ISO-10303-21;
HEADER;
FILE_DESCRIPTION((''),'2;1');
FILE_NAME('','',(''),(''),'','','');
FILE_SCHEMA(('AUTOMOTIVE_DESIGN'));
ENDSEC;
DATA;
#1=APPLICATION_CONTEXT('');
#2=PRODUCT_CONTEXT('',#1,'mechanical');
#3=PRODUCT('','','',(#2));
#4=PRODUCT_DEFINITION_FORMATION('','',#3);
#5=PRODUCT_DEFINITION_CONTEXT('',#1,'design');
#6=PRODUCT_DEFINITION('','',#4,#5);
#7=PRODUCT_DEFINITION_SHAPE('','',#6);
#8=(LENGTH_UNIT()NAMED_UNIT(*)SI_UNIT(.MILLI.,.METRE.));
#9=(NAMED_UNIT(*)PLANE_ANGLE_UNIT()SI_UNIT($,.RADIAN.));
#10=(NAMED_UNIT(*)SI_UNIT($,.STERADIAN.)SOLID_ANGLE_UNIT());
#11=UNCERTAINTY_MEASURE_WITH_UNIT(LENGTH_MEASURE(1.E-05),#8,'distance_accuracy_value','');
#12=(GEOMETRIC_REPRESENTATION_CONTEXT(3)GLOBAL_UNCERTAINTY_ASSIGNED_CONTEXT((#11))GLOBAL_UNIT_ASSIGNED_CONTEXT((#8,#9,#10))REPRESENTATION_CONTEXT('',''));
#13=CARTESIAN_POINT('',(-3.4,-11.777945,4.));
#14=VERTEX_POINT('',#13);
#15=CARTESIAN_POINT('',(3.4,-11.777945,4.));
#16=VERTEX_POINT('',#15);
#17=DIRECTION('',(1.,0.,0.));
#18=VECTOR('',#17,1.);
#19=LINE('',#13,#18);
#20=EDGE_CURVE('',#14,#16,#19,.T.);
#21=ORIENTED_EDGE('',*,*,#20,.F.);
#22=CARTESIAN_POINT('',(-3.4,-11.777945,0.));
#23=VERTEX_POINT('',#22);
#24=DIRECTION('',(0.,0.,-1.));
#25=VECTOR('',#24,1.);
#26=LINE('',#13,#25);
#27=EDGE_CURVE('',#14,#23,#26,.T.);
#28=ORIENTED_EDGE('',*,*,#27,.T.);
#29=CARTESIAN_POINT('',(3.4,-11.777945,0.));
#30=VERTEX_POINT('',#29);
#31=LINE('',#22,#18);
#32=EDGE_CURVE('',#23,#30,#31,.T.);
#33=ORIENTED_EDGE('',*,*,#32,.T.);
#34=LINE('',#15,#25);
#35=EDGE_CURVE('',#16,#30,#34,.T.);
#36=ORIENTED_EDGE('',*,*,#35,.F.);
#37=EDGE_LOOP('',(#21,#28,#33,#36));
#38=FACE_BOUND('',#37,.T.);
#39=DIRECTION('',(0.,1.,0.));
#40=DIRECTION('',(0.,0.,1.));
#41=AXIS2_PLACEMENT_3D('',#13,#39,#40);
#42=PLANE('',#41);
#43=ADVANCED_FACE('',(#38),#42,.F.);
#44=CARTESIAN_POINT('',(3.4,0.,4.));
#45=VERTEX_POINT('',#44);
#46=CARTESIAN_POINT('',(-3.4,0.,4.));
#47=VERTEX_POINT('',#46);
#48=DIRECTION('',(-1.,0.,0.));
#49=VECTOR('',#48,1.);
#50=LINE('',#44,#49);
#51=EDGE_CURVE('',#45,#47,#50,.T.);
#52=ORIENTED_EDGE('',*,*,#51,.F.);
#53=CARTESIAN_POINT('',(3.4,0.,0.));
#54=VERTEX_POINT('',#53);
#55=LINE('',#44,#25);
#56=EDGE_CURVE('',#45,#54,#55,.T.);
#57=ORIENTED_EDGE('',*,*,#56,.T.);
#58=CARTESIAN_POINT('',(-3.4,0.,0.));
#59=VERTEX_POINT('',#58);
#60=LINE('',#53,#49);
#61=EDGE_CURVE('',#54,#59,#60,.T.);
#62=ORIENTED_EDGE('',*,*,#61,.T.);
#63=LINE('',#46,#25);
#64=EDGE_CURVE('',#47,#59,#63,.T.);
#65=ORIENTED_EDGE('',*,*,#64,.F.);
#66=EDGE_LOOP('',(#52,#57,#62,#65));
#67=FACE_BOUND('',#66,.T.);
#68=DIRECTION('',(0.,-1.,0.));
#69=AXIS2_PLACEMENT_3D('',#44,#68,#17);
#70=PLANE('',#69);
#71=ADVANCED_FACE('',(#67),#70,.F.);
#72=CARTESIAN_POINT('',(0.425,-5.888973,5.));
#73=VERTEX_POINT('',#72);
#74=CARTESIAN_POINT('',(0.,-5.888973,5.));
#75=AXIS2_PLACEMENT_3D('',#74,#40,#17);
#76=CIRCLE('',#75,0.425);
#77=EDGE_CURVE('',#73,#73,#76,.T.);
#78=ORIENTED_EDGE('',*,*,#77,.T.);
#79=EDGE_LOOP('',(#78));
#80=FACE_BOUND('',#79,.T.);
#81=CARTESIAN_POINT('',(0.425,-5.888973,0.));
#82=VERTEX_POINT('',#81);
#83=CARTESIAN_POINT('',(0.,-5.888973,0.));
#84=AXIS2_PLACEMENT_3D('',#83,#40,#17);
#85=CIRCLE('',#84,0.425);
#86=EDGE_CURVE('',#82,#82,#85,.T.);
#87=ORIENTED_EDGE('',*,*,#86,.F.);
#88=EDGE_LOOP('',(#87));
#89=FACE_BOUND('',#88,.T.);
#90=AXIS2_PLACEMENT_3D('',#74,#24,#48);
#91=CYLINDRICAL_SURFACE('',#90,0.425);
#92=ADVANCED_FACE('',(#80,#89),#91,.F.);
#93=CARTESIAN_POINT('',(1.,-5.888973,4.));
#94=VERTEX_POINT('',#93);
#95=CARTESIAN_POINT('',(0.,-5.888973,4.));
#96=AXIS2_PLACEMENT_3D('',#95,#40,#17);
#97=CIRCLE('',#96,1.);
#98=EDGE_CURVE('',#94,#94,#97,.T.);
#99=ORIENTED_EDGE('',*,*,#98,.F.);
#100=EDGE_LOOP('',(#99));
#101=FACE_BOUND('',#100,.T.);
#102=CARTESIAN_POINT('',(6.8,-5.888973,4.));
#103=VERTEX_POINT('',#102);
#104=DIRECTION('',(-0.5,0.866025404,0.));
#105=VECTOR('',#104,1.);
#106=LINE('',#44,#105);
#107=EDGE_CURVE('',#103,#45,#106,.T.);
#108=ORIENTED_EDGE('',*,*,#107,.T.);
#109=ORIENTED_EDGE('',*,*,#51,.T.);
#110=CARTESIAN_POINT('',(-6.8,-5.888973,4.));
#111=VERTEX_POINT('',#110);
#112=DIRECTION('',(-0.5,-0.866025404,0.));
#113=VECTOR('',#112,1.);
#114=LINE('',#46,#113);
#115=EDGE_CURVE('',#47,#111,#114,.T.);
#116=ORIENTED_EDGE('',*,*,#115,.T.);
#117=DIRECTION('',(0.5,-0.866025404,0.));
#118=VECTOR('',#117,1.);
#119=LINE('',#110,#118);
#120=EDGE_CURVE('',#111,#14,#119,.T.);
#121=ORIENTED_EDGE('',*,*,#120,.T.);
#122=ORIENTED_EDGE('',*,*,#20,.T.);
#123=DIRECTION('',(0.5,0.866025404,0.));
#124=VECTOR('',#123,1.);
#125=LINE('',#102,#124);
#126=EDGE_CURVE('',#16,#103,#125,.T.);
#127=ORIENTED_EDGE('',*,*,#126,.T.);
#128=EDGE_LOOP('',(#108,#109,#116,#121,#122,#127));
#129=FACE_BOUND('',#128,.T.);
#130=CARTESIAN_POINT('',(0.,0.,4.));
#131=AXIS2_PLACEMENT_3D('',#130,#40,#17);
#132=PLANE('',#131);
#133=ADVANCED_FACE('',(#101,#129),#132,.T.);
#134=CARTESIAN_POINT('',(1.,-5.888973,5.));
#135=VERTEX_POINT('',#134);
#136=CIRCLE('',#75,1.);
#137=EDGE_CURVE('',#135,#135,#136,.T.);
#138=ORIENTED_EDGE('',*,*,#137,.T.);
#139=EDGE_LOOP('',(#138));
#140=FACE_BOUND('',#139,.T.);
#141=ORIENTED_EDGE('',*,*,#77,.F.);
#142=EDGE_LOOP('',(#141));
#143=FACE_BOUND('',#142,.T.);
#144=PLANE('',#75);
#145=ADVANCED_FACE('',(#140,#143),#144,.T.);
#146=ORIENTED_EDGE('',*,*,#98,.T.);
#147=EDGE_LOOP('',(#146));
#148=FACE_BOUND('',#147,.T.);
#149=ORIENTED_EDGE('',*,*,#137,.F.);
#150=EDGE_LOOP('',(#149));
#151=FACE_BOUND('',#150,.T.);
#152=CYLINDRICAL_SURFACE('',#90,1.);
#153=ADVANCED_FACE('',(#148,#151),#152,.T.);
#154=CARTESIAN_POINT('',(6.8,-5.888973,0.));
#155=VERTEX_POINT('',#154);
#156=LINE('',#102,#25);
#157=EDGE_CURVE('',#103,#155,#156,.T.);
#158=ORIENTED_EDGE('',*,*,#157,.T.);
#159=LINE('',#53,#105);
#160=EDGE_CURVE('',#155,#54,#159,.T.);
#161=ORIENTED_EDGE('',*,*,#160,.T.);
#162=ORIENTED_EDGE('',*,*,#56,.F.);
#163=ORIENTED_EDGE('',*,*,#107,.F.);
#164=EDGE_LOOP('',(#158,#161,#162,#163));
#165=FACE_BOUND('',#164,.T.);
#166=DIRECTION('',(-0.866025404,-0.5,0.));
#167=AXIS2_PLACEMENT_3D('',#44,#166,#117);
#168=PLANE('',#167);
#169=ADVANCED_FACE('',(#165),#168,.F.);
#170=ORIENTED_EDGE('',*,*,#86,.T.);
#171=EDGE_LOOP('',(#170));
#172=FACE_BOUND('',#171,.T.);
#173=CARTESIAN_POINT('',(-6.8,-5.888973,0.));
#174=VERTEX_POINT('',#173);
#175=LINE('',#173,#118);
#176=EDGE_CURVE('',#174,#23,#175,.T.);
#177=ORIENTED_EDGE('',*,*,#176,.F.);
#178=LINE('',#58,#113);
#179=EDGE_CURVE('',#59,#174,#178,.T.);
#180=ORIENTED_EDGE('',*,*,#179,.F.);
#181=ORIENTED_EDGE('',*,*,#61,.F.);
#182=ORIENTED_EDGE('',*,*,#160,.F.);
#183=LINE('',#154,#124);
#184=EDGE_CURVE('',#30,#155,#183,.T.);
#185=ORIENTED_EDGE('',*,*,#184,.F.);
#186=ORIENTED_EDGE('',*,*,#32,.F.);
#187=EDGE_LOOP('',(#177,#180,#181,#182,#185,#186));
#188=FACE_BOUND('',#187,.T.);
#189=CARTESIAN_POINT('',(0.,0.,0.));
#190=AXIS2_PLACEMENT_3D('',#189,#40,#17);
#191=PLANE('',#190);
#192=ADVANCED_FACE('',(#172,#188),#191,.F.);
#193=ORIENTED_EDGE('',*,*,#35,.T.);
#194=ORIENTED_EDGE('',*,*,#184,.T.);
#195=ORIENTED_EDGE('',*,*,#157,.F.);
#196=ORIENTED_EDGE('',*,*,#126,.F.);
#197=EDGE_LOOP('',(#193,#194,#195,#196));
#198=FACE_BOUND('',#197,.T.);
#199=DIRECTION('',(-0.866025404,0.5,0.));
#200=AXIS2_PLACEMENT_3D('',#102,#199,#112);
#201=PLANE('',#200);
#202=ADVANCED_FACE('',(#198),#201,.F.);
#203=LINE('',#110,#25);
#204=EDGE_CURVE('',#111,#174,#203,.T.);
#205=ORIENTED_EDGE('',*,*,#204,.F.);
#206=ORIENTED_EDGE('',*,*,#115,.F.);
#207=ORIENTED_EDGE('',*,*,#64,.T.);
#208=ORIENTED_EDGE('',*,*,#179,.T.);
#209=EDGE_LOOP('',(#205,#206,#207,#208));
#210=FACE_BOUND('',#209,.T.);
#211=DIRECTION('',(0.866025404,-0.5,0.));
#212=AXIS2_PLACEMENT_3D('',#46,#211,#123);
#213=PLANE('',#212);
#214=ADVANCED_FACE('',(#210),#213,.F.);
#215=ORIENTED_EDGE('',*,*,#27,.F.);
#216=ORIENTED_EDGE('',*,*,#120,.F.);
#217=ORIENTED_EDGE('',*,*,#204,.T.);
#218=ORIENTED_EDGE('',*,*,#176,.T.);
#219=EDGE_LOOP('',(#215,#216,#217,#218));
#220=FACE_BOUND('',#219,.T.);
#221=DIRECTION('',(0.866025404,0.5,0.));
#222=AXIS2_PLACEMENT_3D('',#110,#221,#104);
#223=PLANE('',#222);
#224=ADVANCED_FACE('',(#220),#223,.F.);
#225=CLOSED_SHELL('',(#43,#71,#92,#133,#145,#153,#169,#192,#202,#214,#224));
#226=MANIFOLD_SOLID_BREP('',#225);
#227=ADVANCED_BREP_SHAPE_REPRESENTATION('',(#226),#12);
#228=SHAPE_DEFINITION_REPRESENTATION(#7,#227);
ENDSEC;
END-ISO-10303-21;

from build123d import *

# Parameters (mm, degrees)
BOSS_EXTRUDE1_DEPTH = 4
SKETCH2_R           = 1
SKETCH2_R_2         = 0.425
BOSS_EXTRUDE2_DEPTH = 1
SKETCH6_R           = 0.425
CUT_EXTRUDE1_DEPTH  = 63


with BuildPart() as part:
    # Sketch1 → Boss-Extrude1 (new body)
    with BuildSketch(Plane.XY):
        Polygon((3.4, 0), (-3.4, 0), (-6.8, -5.888972746), (-3.4, -11.777945491), (3.4, -11.777945491), (6.8, -5.888972746), align=None)
    extrude(amount=BOSS_EXTRUDE1_DEPTH)

    # Sketch2 → Boss-Extrude2 (add)
    with BuildSketch(Plane.XY.offset(4)):
        with Locations((0, -5.888972746)):
            Circle(SKETCH2_R)
        with Locations((0, -5.888972746)):
            Circle(SKETCH2_R_2, mode=Mode.SUBTRACT)
    extrude(amount=BOSS_EXTRUDE2_DEPTH)

    # Sketch6 → Cut-Extrude1 (cut)
    with BuildSketch(Plane.XY.offset(4)):
        with Locations((0, -5.888972746)):
            Circle(SKETCH6_R)
    extrude(amount=-CUT_EXTRUDE1_DEPTH, mode=Mode.SUBTRACT)


solid = part.part
